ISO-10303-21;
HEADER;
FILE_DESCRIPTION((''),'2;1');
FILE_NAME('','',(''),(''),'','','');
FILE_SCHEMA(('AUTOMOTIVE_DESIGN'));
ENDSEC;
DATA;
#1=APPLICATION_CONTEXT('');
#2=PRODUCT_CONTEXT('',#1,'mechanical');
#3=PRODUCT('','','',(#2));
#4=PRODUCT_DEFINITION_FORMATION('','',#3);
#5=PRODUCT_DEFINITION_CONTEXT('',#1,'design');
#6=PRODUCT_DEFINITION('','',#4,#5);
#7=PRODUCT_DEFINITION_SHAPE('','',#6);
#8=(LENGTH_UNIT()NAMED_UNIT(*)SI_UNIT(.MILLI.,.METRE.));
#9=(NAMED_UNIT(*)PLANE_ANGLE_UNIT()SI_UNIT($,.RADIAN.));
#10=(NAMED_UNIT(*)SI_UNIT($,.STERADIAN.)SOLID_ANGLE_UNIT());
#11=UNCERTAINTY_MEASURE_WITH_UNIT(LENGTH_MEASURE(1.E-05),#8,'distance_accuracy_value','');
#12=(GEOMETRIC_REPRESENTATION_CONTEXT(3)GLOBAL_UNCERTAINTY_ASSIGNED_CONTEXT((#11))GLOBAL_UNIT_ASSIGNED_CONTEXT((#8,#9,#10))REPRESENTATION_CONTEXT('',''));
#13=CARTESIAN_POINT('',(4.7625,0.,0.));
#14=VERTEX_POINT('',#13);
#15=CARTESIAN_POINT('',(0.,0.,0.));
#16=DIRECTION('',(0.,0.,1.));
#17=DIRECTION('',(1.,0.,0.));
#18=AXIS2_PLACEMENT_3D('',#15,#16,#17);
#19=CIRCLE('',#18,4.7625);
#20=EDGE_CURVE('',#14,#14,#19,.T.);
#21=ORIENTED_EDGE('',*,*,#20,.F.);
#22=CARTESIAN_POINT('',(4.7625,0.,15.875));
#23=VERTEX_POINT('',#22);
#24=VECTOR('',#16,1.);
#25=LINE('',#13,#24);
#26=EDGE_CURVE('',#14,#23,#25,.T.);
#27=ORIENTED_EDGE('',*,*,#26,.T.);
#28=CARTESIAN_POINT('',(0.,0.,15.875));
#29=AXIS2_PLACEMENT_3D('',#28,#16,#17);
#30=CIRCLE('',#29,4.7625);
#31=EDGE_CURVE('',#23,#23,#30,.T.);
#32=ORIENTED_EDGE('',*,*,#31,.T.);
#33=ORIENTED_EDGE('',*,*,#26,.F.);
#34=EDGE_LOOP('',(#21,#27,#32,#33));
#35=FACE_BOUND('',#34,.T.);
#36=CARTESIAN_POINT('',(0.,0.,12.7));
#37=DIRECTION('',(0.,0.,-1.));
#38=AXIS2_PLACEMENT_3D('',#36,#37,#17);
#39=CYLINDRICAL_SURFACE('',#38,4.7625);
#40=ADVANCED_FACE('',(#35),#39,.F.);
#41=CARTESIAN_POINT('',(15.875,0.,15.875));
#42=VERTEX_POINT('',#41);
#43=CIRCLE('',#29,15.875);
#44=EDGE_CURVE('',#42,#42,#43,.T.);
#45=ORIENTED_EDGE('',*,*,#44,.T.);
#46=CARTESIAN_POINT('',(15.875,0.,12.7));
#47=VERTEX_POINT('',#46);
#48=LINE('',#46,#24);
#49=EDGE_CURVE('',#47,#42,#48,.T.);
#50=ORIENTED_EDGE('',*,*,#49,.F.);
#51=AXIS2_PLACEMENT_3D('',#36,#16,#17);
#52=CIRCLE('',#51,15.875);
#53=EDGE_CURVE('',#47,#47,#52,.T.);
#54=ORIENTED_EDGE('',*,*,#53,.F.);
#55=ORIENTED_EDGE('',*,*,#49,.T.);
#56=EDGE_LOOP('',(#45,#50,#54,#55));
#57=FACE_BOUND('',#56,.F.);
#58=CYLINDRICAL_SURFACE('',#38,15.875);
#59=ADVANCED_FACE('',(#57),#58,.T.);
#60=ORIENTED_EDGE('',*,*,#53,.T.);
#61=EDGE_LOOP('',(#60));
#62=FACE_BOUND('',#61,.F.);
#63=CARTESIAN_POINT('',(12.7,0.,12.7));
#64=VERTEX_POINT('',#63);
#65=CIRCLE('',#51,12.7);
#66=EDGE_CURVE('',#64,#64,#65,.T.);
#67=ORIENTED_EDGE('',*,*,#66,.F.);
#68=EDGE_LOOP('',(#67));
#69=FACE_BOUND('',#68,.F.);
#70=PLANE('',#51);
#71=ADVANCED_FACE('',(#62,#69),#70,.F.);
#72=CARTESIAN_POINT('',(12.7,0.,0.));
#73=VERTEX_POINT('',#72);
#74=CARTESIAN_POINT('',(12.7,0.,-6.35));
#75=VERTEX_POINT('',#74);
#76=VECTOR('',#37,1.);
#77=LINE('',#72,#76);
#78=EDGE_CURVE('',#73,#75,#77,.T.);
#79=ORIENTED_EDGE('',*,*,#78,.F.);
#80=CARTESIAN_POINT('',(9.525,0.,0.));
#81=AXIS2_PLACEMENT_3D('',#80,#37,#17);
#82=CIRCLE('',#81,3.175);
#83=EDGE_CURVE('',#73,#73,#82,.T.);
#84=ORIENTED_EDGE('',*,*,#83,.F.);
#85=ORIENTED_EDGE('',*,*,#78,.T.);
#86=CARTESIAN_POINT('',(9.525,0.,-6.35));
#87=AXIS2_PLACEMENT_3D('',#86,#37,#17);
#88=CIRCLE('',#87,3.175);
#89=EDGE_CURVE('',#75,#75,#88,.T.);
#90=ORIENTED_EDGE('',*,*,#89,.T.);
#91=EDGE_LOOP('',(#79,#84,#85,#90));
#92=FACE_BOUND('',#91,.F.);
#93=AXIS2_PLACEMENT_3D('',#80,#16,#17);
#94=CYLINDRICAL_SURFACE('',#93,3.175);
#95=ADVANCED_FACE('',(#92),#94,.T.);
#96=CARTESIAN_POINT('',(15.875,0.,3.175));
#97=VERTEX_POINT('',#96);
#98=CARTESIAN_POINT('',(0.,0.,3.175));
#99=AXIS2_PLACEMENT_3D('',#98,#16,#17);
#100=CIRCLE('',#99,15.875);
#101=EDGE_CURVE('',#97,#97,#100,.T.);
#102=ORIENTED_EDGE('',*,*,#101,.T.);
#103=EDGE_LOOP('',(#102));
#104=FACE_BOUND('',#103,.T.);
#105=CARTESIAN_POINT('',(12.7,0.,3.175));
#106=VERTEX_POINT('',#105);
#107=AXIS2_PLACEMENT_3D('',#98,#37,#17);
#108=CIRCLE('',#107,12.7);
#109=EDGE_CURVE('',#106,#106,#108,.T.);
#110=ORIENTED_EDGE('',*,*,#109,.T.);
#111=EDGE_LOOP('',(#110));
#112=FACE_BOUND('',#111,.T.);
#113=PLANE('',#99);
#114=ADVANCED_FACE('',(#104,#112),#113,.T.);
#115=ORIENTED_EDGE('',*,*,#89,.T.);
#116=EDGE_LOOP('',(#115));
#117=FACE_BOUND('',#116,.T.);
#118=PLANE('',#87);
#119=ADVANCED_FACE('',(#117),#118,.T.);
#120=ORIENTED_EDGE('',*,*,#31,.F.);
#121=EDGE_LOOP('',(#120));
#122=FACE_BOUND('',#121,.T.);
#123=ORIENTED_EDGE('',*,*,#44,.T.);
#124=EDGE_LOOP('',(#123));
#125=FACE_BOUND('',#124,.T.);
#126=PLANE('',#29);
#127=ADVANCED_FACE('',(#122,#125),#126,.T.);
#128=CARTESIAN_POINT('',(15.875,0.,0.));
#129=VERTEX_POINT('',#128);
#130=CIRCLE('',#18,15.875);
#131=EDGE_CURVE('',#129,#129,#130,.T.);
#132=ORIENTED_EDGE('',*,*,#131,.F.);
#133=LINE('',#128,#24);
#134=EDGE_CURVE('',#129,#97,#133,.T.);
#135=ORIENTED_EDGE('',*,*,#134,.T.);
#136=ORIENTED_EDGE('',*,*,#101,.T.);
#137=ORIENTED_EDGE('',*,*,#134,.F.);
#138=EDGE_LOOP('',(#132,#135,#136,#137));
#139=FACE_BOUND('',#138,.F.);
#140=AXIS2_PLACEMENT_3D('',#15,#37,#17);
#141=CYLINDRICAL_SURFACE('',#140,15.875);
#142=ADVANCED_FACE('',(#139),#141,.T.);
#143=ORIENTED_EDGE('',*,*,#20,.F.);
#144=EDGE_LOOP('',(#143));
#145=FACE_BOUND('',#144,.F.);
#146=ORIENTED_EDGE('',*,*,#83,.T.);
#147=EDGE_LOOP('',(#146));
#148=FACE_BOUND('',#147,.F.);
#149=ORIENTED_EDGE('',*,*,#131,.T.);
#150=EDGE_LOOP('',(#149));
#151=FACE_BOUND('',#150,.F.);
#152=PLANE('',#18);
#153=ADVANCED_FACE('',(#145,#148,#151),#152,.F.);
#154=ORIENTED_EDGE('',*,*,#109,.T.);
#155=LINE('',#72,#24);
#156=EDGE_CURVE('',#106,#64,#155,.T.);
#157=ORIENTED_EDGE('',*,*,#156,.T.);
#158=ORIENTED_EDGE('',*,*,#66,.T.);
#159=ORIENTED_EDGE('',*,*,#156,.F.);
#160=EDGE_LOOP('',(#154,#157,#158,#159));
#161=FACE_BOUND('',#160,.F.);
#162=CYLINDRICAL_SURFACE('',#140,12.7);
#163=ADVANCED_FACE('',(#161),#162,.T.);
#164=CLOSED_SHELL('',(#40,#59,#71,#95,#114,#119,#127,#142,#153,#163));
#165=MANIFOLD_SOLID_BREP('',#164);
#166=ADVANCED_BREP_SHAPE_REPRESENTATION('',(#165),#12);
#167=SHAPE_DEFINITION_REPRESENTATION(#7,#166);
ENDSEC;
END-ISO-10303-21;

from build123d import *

# Parameters (mm, degrees)
F0_R     = 12.7
F0_R_2   = 4.7625
F1_DEPTH = 12.7
F2_R     = 15.875
F2_R_2   = 4.7625
F3_DEPTH = 3.175
F4_R     = 15.875
F4_R_2   = 4.7625
F5_DEPTH = 3.175
F6_R     = 3.175
F7_DEPTH = 6.35


with BuildPart() as f1:
    # F0 (on Top) → F1 (new body)
    with BuildSketch(Plane.XY):
        Circle(F0_R)
        Circle(F0_R_2, mode=Mode.SUBTRACT)
    extrude(amount=F1_DEPTH)

    # F2 (on face) → F3 (join)
    with BuildSketch(Plane.XY.offset(12.7)):
        Circle(F2_R)
        Circle(F2_R_2, mode=Mode.SUBTRACT)
    extrude(amount=F3_DEPTH)

    # F4 (on Top) → F5 (join)
    with BuildSketch(Plane.XY):
        Circle(F4_R)
        Circle(F4_R_2, mode=Mode.SUBTRACT)
    extrude(amount=F5_DEPTH)

    # F6 (on face) → F7 (join)
    with BuildSketch(Plane(origin=(0, 0, 0), x_dir=(1, 0, 0), z_dir=(0, 0, -1))):
        with Locations((9.525, 0)):
            Circle(F6_R)
    extrude(amount=F7_DEPTH)


solid = f1.part
